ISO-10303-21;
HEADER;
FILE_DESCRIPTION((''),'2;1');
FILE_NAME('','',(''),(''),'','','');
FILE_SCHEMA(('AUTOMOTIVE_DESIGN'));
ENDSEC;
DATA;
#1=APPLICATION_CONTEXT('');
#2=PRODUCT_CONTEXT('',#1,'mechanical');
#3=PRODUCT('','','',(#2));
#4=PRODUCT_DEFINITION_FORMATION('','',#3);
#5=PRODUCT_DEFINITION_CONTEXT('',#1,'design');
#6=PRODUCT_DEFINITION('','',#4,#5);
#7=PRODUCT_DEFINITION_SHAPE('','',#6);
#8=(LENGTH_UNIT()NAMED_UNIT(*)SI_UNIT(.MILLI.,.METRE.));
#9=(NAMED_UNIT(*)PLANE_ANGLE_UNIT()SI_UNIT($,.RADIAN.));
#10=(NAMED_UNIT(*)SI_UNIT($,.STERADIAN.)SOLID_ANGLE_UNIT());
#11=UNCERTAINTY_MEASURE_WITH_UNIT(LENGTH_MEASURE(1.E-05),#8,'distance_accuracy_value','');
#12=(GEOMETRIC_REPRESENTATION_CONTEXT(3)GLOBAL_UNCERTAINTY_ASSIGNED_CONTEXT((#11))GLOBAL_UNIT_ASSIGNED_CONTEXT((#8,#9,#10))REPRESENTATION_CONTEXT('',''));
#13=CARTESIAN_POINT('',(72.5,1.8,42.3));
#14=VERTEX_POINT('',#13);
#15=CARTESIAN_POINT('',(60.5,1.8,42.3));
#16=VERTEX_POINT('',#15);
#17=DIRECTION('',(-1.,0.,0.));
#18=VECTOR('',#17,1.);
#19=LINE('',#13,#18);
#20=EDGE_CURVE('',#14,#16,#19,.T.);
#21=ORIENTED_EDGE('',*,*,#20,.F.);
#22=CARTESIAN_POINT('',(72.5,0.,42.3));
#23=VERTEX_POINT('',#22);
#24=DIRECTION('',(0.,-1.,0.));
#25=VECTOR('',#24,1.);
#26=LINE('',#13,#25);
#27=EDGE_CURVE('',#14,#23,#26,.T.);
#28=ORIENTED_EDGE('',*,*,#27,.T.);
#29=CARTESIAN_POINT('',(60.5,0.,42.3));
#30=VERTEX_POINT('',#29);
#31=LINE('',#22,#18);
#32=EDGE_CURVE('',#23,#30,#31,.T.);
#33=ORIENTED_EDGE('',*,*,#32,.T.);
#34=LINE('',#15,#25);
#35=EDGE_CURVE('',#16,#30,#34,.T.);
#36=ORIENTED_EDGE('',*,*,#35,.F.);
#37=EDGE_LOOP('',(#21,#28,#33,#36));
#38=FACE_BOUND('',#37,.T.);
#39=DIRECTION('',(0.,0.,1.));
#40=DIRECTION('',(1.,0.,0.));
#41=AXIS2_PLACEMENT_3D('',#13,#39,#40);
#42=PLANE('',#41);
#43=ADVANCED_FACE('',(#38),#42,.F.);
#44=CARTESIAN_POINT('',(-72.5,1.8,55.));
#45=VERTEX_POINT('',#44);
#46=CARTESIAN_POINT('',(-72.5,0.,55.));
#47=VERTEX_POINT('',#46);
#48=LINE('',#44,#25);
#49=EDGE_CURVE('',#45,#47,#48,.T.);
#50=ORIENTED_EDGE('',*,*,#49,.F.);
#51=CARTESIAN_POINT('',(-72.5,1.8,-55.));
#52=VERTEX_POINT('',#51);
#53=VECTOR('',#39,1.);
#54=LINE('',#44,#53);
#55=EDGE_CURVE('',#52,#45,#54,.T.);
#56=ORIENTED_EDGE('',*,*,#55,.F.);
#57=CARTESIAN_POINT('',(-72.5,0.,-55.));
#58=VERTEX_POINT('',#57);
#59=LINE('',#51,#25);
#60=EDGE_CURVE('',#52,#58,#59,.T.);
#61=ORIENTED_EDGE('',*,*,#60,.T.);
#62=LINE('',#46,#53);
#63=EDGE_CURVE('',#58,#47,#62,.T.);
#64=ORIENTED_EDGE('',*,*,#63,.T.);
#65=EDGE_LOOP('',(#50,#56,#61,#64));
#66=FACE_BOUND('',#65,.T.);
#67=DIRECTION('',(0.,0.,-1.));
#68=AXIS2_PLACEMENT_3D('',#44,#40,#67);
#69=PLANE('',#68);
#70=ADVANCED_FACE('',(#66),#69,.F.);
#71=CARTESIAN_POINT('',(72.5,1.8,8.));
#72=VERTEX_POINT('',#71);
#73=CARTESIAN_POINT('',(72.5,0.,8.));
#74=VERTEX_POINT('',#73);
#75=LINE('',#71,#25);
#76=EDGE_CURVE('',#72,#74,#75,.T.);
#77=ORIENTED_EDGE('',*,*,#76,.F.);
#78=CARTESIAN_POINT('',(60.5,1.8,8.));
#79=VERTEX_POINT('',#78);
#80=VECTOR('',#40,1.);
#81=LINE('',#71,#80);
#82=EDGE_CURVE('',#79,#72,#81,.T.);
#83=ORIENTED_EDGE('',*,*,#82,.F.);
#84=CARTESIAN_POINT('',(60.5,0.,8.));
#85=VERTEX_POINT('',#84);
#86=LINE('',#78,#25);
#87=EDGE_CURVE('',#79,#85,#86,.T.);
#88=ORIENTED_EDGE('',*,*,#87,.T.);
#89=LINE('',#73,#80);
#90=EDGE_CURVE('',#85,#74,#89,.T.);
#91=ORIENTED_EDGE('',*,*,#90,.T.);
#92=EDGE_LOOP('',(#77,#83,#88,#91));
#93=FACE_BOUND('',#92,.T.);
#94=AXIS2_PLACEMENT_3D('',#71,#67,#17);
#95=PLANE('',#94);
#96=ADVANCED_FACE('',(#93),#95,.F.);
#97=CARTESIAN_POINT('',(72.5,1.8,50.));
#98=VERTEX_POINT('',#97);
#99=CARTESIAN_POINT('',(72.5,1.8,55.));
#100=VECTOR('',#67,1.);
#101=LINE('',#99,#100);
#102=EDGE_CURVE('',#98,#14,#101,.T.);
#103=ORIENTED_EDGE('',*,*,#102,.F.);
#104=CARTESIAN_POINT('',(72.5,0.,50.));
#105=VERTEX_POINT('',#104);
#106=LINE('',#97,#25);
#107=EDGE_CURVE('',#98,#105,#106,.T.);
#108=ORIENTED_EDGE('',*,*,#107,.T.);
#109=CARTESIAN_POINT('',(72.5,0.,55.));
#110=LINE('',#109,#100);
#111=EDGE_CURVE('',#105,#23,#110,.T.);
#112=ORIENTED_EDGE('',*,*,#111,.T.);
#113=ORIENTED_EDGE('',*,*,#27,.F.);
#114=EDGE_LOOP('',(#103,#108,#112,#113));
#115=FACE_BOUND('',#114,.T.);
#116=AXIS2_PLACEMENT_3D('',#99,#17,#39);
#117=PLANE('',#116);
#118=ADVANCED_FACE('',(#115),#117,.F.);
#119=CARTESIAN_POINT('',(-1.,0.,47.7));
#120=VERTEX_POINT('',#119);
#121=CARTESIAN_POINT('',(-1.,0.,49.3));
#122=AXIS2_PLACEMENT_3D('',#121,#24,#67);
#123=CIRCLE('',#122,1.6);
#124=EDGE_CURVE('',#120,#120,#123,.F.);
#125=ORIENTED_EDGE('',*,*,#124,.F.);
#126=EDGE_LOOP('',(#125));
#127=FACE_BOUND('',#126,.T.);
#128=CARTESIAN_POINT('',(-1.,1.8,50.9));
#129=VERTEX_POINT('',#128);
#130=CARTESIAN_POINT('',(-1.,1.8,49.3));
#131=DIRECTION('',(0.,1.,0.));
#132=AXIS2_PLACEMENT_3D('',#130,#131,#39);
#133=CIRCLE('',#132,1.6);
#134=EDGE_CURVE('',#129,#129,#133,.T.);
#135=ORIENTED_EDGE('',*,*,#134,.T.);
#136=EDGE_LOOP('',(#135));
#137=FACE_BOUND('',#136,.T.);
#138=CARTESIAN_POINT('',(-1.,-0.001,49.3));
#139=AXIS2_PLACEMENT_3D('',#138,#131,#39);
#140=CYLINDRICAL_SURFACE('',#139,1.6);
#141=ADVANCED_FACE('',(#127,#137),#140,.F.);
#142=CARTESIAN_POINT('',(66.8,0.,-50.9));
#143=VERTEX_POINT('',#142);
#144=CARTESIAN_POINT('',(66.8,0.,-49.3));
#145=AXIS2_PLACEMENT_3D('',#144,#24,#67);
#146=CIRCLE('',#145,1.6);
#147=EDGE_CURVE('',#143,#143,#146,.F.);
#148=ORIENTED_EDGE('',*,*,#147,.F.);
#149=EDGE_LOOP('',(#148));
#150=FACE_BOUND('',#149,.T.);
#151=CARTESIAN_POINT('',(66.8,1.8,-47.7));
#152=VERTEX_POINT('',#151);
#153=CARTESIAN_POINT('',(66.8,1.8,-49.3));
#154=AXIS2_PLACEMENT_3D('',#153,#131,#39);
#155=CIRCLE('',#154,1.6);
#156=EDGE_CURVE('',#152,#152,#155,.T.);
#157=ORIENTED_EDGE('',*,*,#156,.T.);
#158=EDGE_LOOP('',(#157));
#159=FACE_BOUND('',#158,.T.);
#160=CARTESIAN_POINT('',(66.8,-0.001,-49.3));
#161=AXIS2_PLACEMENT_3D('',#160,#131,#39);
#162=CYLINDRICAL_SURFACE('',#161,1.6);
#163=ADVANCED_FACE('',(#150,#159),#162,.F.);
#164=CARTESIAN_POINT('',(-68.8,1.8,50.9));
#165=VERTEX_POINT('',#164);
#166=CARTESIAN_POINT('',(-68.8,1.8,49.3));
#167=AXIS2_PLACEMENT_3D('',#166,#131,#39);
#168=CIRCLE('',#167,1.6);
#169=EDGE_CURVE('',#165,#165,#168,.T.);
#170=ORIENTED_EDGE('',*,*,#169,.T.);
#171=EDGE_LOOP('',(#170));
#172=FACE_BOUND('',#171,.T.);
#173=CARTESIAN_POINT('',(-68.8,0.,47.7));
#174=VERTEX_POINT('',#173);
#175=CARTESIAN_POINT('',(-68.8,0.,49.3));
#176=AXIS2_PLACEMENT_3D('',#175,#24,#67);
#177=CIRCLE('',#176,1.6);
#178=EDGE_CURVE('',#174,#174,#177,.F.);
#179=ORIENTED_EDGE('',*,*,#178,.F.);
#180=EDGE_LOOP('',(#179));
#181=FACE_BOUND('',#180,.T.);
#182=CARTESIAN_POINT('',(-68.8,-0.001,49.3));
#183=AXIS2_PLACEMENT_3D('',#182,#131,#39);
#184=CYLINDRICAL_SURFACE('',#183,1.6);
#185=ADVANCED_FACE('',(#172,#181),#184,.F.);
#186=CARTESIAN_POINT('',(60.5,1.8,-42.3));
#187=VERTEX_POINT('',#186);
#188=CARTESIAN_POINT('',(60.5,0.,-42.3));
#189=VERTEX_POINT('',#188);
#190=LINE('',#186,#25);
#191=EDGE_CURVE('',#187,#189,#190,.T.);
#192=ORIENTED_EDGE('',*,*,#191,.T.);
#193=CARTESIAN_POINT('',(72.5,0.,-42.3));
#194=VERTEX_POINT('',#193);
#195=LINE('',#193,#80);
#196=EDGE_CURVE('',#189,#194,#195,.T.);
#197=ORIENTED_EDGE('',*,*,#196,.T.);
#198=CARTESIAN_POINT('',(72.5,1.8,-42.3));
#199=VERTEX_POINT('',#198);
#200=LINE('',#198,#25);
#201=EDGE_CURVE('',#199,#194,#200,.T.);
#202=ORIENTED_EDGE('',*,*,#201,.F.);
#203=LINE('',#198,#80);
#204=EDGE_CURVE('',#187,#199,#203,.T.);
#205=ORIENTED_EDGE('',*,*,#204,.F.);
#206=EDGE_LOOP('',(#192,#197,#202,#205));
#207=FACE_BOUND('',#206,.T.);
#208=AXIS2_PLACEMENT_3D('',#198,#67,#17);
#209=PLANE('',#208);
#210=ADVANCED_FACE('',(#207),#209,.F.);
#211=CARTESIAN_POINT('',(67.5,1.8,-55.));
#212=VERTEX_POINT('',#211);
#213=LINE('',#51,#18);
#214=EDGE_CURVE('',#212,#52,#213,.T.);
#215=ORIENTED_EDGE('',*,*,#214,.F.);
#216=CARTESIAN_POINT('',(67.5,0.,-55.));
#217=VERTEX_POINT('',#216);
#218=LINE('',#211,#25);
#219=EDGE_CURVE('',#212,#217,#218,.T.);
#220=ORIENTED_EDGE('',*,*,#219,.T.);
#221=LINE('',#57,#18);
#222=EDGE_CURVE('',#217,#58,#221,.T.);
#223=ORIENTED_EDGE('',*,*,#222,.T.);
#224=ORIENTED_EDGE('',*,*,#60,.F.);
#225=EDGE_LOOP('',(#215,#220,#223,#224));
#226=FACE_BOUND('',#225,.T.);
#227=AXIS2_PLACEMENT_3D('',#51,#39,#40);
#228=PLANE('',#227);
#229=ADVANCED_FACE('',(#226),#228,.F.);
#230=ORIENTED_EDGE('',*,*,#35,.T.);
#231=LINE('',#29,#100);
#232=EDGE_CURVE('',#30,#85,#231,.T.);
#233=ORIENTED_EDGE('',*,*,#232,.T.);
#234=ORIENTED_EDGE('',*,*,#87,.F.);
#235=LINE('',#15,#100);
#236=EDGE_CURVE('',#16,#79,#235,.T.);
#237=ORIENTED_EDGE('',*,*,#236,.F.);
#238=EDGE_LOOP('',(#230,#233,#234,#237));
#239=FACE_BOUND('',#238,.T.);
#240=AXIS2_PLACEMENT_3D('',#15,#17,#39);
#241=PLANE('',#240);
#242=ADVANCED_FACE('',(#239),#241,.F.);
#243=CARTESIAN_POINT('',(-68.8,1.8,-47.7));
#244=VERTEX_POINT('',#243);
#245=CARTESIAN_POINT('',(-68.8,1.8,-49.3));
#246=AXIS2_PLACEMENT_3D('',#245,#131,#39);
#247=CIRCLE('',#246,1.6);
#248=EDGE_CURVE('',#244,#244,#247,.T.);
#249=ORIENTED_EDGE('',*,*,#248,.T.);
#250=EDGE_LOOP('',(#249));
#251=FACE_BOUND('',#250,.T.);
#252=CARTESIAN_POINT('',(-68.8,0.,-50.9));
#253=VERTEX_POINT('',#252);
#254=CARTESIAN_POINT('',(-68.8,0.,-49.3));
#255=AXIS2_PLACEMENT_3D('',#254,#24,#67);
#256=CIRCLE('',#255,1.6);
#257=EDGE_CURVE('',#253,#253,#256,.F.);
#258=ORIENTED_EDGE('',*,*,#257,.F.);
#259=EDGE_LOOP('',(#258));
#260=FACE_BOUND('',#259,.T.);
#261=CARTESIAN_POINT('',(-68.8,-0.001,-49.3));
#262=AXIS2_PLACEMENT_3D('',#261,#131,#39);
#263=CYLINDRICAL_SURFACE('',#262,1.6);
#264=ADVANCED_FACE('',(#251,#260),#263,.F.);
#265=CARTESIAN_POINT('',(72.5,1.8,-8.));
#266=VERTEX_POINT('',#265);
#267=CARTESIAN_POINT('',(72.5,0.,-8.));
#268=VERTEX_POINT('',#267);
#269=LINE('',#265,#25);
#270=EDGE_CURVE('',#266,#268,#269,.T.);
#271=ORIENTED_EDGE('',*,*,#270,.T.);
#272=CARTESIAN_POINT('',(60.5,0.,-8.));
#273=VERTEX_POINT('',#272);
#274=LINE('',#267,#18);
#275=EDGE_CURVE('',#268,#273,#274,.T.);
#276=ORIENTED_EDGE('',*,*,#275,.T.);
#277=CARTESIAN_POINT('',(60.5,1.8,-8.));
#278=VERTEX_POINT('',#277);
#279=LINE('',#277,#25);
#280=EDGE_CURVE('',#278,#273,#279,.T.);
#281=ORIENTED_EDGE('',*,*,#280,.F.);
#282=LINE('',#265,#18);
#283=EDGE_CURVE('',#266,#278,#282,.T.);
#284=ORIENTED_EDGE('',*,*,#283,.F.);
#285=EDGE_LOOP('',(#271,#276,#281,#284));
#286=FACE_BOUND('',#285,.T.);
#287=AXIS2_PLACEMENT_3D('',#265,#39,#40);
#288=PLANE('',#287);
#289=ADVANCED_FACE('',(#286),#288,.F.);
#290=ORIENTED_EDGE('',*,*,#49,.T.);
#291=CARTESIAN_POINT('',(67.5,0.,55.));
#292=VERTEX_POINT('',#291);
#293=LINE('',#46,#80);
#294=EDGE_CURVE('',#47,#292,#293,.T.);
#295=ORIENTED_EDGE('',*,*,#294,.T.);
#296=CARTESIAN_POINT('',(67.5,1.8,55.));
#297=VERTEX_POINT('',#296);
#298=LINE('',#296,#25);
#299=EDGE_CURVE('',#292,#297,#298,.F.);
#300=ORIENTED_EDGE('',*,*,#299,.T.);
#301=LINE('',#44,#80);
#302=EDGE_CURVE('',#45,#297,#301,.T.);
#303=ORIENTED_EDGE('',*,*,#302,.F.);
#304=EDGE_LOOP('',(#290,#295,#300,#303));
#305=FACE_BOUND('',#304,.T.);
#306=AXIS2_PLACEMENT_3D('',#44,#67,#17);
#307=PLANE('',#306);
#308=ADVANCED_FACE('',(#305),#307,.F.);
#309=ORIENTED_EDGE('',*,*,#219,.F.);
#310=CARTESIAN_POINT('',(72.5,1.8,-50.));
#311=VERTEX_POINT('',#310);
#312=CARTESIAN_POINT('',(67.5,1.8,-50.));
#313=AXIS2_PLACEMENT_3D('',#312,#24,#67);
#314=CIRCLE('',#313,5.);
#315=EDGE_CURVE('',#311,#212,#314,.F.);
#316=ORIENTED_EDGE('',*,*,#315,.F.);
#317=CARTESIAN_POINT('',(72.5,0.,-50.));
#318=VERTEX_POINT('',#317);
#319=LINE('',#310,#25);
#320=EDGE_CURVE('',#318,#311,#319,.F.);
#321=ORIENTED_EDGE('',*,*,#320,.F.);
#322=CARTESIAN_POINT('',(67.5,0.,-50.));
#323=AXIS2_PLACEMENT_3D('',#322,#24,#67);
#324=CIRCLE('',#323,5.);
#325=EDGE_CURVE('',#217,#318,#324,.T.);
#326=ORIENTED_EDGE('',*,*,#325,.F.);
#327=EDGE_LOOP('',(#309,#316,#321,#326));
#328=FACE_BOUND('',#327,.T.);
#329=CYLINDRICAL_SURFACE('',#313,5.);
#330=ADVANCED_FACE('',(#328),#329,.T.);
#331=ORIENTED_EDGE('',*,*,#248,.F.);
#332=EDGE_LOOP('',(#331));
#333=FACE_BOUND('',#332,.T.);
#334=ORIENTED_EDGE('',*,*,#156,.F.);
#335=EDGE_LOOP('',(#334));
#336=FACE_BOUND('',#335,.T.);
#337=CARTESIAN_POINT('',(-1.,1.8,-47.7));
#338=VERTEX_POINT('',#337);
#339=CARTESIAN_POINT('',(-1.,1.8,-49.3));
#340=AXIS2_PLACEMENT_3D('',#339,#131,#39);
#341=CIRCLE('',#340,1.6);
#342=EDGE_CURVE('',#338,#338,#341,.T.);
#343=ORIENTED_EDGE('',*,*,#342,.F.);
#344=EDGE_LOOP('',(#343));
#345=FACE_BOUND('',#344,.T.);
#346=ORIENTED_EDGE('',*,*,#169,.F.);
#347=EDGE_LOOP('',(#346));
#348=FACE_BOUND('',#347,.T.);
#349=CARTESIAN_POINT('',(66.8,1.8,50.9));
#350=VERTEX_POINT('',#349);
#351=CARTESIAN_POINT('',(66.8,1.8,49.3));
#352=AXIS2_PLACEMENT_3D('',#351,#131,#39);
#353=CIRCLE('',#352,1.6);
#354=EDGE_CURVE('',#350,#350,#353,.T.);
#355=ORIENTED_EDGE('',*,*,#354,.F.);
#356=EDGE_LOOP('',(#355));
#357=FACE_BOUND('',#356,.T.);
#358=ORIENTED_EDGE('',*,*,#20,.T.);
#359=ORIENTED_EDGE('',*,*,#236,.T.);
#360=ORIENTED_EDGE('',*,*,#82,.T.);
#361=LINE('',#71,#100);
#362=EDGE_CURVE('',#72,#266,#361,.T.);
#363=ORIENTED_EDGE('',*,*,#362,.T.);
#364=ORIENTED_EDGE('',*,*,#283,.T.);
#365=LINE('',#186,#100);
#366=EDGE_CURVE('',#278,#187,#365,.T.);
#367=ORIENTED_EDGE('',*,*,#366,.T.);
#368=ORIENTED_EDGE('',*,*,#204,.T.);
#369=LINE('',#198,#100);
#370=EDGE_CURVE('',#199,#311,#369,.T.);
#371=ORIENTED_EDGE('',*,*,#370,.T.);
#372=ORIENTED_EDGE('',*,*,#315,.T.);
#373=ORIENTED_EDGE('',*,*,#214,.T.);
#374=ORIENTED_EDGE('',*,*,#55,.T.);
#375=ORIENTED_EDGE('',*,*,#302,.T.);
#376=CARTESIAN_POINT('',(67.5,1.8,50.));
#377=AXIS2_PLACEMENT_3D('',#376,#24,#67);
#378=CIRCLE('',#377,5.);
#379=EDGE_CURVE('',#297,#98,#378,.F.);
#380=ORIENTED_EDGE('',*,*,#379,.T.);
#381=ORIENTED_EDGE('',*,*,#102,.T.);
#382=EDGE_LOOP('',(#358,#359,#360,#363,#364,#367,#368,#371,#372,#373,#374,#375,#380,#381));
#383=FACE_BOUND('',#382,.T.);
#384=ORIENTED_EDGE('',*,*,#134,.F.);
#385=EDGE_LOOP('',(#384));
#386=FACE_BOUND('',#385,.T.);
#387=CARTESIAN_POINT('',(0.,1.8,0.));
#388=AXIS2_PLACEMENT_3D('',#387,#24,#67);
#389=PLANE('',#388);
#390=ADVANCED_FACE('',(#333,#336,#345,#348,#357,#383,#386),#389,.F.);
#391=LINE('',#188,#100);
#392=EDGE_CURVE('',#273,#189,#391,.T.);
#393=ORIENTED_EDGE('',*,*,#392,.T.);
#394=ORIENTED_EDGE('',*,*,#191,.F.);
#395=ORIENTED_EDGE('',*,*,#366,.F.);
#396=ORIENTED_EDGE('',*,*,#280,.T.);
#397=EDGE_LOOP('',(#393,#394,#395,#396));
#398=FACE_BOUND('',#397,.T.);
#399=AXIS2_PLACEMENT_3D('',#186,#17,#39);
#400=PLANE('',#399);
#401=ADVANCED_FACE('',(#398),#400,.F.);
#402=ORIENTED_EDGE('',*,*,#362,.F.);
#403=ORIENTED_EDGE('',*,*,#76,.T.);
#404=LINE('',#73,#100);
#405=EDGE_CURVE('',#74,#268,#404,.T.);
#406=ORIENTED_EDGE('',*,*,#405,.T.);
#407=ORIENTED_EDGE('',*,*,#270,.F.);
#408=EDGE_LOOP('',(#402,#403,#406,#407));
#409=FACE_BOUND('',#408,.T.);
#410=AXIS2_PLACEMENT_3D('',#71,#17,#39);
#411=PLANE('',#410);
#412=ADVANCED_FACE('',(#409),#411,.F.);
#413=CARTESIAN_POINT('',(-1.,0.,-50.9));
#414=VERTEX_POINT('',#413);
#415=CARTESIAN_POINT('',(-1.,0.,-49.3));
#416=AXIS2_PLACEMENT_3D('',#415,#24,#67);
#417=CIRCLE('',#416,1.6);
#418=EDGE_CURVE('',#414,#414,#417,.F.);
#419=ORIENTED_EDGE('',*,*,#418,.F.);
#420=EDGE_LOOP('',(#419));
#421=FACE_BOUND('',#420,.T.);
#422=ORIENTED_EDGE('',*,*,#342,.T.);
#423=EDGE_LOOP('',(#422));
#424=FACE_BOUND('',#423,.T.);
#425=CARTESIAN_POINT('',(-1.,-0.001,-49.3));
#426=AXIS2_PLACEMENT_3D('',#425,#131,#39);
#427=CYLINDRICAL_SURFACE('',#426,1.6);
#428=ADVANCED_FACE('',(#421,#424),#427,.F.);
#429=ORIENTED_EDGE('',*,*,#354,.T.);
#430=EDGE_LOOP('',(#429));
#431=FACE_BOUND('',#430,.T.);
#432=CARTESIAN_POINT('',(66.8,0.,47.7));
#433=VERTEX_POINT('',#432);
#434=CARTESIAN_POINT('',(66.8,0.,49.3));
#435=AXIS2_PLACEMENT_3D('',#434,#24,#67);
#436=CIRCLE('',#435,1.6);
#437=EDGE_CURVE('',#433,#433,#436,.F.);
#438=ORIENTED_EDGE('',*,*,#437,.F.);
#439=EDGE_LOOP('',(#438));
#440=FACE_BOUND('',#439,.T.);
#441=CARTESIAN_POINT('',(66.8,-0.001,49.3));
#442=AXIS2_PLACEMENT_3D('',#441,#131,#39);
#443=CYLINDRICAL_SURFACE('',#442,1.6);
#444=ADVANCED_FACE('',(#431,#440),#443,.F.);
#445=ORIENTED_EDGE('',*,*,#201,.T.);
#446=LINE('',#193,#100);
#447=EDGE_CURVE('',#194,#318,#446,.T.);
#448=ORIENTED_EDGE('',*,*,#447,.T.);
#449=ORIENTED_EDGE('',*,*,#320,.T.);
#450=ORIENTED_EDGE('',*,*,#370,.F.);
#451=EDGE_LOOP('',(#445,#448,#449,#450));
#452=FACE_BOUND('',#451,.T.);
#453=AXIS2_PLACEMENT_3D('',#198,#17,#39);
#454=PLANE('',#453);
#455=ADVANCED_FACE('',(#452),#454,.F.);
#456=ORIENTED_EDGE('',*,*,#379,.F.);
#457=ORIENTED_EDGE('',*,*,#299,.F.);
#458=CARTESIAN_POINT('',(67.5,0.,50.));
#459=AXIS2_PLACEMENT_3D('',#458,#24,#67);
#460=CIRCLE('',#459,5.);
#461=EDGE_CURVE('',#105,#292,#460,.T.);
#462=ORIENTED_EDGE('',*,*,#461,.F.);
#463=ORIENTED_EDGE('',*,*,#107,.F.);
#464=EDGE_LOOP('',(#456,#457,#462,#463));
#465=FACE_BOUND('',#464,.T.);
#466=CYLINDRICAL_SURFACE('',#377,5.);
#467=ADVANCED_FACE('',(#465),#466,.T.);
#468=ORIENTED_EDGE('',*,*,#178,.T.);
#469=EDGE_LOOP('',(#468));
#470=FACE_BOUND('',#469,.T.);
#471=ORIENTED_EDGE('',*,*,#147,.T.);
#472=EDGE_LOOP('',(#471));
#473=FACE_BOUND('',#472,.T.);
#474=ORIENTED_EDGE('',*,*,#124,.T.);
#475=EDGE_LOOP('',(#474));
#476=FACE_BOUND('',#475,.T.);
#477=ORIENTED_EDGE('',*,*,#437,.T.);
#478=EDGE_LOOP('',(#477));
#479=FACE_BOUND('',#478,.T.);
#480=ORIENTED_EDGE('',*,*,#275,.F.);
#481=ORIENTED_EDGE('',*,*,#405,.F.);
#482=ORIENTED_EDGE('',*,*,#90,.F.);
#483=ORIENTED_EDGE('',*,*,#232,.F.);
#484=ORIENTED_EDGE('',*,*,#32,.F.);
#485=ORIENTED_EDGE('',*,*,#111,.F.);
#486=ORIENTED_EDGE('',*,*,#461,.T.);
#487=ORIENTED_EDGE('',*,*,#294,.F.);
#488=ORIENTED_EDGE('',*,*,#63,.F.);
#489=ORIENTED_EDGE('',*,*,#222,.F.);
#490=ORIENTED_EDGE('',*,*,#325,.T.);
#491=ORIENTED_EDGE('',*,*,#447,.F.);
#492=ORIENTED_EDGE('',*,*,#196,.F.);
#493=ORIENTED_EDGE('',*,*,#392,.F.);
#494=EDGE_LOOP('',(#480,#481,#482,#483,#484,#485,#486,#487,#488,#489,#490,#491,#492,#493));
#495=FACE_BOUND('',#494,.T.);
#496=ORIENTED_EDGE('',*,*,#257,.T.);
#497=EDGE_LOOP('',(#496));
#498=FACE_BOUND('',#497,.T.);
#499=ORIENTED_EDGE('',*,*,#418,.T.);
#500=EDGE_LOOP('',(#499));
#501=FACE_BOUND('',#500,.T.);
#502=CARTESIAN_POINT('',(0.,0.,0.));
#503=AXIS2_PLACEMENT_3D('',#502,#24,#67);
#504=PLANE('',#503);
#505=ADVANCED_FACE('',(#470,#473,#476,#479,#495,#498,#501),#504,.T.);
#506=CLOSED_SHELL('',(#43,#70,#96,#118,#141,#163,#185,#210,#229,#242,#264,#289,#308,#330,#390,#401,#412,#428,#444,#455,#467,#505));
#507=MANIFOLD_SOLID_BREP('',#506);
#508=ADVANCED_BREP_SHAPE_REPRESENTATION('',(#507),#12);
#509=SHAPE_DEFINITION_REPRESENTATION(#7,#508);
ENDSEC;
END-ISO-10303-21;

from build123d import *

# Parameters (mm, degrees)
BOSS_EXTRUDE2_DEPTH = 1.8
FILLET1_R           = 5
CUT_EXTRUDE1_REACH  = 93.019
SKETCH3_R           = 1.6


with BuildPart() as part:
    # Sketch2 → Boss-Extrude2 (new body)
    with BuildSketch(Plane(origin=(0, 0, 0), x_dir=(1, 0, 0), z_dir=(0, 1, 0))):
        Polygon((-72.5, -55), (72.5, -55), (72.5, -42.3), (60.5, -42.3), (60.5, -8), (72.5, -8), (72.5, 8), (60.5, 8), (60.5, 42.3), (72.5, 42.3), (72.5, 55), (-72.5, 55), align=None)
    extrude(amount=BOSS_EXTRUDE2_DEPTH)

    # Fillet1
    fillet1_edges = [part.edges().sort_by_distance(p)[0] for p in [
        (72.5, 0.9, 55),
        (72.5, 0.9, -55),
    ]]
    fillet(fillet1_edges, radius=FILLET1_R)

    # Sketch3 → Cut-Extrude1 (cut, up to next)
    with BuildSketch(Plane(origin=(0, 1.8, 0), x_dir=(1, 0, 0), z_dir=(0, 1, 0)), mode=Mode.PRIVATE) as cut_extrude1_sk1:
        with Locations(Location((-68.8, 49.3, 0), (0, 0, 270))):
            Circle(SKETCH3_R)
    cut_extrude1_tool1 = extrude(cut_extrude1_sk1.sketch, amount=-CUT_EXTRUDE1_REACH, mode=Mode.PRIVATE) & part.part
    # Sketch3 → Cut-Extrude1 (cut, up to next)
    with BuildSketch(Plane(origin=(0, 1.8, 0), x_dir=(1, 0, 0), z_dir=(0, 1, 0)), mode=Mode.PRIVATE) as cut_extrude1_sk2:
        with Locations(Location((-1, 49.3, 0), (0, 0, 270))):
            Circle(SKETCH3_R)
    cut_extrude1_tool2 = extrude(cut_extrude1_sk2.sketch, amount=-CUT_EXTRUDE1_REACH, mode=Mode.PRIVATE) & part.part
    # Sketch3 → Cut-Extrude1 (cut, up to next)
    with BuildSketch(Plane(origin=(0, 1.8, 0), x_dir=(1, 0, 0), z_dir=(0, 1, 0)), mode=Mode.PRIVATE) as cut_extrude1_sk3:
        with Locations(Location((-1, -49.3, 0), (0, 0, 270))):
            Circle(SKETCH3_R)
    cut_extrude1_tool3 = extrude(cut_extrude1_sk3.sketch, amount=-CUT_EXTRUDE1_REACH, mode=Mode.PRIVATE) & part.part
    # Sketch3 → Cut-Extrude1 (cut, up to next)
    with BuildSketch(Plane(origin=(0, 1.8, 0), x_dir=(1, 0, 0), z_dir=(0, 1, 0)), mode=Mode.PRIVATE) as cut_extrude1_sk4:
        with Locations(Location((-68.8, -49.3, 0), (0, 0, 270))):
            Circle(SKETCH3_R)
    cut_extrude1_tool4 = extrude(cut_extrude1_sk4.sketch, amount=-CUT_EXTRUDE1_REACH, mode=Mode.PRIVATE) & part.part
    # Sketch3 → Cut-Extrude1 (cut, up to next)
    with BuildSketch(Plane(origin=(0, 1.8, 0), x_dir=(1, 0, 0), z_dir=(0, 1, 0)), mode=Mode.PRIVATE) as cut_extrude1_sk5:
        with Locations(Location((66.8, 49.3, 0), (0, 0, 270))):
            Circle(SKETCH3_R)
    cut_extrude1_tool5 = extrude(cut_extrude1_sk5.sketch, amount=-CUT_EXTRUDE1_REACH, mode=Mode.PRIVATE) & part.part
    # Sketch3 → Cut-Extrude1 (cut, up to next)
    with BuildSketch(Plane(origin=(0, 1.8, 0), x_dir=(1, 0, 0), z_dir=(0, 1, 0)), mode=Mode.PRIVATE) as cut_extrude1_sk6:
        with Locations(Location((66.8, -49.3, 0), (0, 0, 270))):
            Circle(SKETCH3_R)
    cut_extrude1_tool6 = extrude(cut_extrude1_sk6.sketch, amount=-CUT_EXTRUDE1_REACH, mode=Mode.PRIVATE) & part.part
    add(cut_extrude1_tool1.solids().sort_by_distance((-68.8, 1.8, -49.3))[0], mode=Mode.SUBTRACT)
    add(cut_extrude1_tool2.solids().sort_by_distance((-1, 1.8, -49.3))[0], mode=Mode.SUBTRACT)
    add(cut_extrude1_tool3.solids().sort_by_distance((-1, 1.8, 49.3))[0], mode=Mode.SUBTRACT)
    add(cut_extrude1_tool4.solids().sort_by_distance((-68.8, 1.8, 49.3))[0], mode=Mode.SUBTRACT)
    add(cut_extrude1_tool5.solids().sort_by_distance((66.8, 1.8, -49.3))[0], mode=Mode.SUBTRACT)
    add(cut_extrude1_tool6.solids().sort_by_distance((66.8, 1.8, 49.3))[0], mode=Mode.SUBTRACT)


solid = part.part
